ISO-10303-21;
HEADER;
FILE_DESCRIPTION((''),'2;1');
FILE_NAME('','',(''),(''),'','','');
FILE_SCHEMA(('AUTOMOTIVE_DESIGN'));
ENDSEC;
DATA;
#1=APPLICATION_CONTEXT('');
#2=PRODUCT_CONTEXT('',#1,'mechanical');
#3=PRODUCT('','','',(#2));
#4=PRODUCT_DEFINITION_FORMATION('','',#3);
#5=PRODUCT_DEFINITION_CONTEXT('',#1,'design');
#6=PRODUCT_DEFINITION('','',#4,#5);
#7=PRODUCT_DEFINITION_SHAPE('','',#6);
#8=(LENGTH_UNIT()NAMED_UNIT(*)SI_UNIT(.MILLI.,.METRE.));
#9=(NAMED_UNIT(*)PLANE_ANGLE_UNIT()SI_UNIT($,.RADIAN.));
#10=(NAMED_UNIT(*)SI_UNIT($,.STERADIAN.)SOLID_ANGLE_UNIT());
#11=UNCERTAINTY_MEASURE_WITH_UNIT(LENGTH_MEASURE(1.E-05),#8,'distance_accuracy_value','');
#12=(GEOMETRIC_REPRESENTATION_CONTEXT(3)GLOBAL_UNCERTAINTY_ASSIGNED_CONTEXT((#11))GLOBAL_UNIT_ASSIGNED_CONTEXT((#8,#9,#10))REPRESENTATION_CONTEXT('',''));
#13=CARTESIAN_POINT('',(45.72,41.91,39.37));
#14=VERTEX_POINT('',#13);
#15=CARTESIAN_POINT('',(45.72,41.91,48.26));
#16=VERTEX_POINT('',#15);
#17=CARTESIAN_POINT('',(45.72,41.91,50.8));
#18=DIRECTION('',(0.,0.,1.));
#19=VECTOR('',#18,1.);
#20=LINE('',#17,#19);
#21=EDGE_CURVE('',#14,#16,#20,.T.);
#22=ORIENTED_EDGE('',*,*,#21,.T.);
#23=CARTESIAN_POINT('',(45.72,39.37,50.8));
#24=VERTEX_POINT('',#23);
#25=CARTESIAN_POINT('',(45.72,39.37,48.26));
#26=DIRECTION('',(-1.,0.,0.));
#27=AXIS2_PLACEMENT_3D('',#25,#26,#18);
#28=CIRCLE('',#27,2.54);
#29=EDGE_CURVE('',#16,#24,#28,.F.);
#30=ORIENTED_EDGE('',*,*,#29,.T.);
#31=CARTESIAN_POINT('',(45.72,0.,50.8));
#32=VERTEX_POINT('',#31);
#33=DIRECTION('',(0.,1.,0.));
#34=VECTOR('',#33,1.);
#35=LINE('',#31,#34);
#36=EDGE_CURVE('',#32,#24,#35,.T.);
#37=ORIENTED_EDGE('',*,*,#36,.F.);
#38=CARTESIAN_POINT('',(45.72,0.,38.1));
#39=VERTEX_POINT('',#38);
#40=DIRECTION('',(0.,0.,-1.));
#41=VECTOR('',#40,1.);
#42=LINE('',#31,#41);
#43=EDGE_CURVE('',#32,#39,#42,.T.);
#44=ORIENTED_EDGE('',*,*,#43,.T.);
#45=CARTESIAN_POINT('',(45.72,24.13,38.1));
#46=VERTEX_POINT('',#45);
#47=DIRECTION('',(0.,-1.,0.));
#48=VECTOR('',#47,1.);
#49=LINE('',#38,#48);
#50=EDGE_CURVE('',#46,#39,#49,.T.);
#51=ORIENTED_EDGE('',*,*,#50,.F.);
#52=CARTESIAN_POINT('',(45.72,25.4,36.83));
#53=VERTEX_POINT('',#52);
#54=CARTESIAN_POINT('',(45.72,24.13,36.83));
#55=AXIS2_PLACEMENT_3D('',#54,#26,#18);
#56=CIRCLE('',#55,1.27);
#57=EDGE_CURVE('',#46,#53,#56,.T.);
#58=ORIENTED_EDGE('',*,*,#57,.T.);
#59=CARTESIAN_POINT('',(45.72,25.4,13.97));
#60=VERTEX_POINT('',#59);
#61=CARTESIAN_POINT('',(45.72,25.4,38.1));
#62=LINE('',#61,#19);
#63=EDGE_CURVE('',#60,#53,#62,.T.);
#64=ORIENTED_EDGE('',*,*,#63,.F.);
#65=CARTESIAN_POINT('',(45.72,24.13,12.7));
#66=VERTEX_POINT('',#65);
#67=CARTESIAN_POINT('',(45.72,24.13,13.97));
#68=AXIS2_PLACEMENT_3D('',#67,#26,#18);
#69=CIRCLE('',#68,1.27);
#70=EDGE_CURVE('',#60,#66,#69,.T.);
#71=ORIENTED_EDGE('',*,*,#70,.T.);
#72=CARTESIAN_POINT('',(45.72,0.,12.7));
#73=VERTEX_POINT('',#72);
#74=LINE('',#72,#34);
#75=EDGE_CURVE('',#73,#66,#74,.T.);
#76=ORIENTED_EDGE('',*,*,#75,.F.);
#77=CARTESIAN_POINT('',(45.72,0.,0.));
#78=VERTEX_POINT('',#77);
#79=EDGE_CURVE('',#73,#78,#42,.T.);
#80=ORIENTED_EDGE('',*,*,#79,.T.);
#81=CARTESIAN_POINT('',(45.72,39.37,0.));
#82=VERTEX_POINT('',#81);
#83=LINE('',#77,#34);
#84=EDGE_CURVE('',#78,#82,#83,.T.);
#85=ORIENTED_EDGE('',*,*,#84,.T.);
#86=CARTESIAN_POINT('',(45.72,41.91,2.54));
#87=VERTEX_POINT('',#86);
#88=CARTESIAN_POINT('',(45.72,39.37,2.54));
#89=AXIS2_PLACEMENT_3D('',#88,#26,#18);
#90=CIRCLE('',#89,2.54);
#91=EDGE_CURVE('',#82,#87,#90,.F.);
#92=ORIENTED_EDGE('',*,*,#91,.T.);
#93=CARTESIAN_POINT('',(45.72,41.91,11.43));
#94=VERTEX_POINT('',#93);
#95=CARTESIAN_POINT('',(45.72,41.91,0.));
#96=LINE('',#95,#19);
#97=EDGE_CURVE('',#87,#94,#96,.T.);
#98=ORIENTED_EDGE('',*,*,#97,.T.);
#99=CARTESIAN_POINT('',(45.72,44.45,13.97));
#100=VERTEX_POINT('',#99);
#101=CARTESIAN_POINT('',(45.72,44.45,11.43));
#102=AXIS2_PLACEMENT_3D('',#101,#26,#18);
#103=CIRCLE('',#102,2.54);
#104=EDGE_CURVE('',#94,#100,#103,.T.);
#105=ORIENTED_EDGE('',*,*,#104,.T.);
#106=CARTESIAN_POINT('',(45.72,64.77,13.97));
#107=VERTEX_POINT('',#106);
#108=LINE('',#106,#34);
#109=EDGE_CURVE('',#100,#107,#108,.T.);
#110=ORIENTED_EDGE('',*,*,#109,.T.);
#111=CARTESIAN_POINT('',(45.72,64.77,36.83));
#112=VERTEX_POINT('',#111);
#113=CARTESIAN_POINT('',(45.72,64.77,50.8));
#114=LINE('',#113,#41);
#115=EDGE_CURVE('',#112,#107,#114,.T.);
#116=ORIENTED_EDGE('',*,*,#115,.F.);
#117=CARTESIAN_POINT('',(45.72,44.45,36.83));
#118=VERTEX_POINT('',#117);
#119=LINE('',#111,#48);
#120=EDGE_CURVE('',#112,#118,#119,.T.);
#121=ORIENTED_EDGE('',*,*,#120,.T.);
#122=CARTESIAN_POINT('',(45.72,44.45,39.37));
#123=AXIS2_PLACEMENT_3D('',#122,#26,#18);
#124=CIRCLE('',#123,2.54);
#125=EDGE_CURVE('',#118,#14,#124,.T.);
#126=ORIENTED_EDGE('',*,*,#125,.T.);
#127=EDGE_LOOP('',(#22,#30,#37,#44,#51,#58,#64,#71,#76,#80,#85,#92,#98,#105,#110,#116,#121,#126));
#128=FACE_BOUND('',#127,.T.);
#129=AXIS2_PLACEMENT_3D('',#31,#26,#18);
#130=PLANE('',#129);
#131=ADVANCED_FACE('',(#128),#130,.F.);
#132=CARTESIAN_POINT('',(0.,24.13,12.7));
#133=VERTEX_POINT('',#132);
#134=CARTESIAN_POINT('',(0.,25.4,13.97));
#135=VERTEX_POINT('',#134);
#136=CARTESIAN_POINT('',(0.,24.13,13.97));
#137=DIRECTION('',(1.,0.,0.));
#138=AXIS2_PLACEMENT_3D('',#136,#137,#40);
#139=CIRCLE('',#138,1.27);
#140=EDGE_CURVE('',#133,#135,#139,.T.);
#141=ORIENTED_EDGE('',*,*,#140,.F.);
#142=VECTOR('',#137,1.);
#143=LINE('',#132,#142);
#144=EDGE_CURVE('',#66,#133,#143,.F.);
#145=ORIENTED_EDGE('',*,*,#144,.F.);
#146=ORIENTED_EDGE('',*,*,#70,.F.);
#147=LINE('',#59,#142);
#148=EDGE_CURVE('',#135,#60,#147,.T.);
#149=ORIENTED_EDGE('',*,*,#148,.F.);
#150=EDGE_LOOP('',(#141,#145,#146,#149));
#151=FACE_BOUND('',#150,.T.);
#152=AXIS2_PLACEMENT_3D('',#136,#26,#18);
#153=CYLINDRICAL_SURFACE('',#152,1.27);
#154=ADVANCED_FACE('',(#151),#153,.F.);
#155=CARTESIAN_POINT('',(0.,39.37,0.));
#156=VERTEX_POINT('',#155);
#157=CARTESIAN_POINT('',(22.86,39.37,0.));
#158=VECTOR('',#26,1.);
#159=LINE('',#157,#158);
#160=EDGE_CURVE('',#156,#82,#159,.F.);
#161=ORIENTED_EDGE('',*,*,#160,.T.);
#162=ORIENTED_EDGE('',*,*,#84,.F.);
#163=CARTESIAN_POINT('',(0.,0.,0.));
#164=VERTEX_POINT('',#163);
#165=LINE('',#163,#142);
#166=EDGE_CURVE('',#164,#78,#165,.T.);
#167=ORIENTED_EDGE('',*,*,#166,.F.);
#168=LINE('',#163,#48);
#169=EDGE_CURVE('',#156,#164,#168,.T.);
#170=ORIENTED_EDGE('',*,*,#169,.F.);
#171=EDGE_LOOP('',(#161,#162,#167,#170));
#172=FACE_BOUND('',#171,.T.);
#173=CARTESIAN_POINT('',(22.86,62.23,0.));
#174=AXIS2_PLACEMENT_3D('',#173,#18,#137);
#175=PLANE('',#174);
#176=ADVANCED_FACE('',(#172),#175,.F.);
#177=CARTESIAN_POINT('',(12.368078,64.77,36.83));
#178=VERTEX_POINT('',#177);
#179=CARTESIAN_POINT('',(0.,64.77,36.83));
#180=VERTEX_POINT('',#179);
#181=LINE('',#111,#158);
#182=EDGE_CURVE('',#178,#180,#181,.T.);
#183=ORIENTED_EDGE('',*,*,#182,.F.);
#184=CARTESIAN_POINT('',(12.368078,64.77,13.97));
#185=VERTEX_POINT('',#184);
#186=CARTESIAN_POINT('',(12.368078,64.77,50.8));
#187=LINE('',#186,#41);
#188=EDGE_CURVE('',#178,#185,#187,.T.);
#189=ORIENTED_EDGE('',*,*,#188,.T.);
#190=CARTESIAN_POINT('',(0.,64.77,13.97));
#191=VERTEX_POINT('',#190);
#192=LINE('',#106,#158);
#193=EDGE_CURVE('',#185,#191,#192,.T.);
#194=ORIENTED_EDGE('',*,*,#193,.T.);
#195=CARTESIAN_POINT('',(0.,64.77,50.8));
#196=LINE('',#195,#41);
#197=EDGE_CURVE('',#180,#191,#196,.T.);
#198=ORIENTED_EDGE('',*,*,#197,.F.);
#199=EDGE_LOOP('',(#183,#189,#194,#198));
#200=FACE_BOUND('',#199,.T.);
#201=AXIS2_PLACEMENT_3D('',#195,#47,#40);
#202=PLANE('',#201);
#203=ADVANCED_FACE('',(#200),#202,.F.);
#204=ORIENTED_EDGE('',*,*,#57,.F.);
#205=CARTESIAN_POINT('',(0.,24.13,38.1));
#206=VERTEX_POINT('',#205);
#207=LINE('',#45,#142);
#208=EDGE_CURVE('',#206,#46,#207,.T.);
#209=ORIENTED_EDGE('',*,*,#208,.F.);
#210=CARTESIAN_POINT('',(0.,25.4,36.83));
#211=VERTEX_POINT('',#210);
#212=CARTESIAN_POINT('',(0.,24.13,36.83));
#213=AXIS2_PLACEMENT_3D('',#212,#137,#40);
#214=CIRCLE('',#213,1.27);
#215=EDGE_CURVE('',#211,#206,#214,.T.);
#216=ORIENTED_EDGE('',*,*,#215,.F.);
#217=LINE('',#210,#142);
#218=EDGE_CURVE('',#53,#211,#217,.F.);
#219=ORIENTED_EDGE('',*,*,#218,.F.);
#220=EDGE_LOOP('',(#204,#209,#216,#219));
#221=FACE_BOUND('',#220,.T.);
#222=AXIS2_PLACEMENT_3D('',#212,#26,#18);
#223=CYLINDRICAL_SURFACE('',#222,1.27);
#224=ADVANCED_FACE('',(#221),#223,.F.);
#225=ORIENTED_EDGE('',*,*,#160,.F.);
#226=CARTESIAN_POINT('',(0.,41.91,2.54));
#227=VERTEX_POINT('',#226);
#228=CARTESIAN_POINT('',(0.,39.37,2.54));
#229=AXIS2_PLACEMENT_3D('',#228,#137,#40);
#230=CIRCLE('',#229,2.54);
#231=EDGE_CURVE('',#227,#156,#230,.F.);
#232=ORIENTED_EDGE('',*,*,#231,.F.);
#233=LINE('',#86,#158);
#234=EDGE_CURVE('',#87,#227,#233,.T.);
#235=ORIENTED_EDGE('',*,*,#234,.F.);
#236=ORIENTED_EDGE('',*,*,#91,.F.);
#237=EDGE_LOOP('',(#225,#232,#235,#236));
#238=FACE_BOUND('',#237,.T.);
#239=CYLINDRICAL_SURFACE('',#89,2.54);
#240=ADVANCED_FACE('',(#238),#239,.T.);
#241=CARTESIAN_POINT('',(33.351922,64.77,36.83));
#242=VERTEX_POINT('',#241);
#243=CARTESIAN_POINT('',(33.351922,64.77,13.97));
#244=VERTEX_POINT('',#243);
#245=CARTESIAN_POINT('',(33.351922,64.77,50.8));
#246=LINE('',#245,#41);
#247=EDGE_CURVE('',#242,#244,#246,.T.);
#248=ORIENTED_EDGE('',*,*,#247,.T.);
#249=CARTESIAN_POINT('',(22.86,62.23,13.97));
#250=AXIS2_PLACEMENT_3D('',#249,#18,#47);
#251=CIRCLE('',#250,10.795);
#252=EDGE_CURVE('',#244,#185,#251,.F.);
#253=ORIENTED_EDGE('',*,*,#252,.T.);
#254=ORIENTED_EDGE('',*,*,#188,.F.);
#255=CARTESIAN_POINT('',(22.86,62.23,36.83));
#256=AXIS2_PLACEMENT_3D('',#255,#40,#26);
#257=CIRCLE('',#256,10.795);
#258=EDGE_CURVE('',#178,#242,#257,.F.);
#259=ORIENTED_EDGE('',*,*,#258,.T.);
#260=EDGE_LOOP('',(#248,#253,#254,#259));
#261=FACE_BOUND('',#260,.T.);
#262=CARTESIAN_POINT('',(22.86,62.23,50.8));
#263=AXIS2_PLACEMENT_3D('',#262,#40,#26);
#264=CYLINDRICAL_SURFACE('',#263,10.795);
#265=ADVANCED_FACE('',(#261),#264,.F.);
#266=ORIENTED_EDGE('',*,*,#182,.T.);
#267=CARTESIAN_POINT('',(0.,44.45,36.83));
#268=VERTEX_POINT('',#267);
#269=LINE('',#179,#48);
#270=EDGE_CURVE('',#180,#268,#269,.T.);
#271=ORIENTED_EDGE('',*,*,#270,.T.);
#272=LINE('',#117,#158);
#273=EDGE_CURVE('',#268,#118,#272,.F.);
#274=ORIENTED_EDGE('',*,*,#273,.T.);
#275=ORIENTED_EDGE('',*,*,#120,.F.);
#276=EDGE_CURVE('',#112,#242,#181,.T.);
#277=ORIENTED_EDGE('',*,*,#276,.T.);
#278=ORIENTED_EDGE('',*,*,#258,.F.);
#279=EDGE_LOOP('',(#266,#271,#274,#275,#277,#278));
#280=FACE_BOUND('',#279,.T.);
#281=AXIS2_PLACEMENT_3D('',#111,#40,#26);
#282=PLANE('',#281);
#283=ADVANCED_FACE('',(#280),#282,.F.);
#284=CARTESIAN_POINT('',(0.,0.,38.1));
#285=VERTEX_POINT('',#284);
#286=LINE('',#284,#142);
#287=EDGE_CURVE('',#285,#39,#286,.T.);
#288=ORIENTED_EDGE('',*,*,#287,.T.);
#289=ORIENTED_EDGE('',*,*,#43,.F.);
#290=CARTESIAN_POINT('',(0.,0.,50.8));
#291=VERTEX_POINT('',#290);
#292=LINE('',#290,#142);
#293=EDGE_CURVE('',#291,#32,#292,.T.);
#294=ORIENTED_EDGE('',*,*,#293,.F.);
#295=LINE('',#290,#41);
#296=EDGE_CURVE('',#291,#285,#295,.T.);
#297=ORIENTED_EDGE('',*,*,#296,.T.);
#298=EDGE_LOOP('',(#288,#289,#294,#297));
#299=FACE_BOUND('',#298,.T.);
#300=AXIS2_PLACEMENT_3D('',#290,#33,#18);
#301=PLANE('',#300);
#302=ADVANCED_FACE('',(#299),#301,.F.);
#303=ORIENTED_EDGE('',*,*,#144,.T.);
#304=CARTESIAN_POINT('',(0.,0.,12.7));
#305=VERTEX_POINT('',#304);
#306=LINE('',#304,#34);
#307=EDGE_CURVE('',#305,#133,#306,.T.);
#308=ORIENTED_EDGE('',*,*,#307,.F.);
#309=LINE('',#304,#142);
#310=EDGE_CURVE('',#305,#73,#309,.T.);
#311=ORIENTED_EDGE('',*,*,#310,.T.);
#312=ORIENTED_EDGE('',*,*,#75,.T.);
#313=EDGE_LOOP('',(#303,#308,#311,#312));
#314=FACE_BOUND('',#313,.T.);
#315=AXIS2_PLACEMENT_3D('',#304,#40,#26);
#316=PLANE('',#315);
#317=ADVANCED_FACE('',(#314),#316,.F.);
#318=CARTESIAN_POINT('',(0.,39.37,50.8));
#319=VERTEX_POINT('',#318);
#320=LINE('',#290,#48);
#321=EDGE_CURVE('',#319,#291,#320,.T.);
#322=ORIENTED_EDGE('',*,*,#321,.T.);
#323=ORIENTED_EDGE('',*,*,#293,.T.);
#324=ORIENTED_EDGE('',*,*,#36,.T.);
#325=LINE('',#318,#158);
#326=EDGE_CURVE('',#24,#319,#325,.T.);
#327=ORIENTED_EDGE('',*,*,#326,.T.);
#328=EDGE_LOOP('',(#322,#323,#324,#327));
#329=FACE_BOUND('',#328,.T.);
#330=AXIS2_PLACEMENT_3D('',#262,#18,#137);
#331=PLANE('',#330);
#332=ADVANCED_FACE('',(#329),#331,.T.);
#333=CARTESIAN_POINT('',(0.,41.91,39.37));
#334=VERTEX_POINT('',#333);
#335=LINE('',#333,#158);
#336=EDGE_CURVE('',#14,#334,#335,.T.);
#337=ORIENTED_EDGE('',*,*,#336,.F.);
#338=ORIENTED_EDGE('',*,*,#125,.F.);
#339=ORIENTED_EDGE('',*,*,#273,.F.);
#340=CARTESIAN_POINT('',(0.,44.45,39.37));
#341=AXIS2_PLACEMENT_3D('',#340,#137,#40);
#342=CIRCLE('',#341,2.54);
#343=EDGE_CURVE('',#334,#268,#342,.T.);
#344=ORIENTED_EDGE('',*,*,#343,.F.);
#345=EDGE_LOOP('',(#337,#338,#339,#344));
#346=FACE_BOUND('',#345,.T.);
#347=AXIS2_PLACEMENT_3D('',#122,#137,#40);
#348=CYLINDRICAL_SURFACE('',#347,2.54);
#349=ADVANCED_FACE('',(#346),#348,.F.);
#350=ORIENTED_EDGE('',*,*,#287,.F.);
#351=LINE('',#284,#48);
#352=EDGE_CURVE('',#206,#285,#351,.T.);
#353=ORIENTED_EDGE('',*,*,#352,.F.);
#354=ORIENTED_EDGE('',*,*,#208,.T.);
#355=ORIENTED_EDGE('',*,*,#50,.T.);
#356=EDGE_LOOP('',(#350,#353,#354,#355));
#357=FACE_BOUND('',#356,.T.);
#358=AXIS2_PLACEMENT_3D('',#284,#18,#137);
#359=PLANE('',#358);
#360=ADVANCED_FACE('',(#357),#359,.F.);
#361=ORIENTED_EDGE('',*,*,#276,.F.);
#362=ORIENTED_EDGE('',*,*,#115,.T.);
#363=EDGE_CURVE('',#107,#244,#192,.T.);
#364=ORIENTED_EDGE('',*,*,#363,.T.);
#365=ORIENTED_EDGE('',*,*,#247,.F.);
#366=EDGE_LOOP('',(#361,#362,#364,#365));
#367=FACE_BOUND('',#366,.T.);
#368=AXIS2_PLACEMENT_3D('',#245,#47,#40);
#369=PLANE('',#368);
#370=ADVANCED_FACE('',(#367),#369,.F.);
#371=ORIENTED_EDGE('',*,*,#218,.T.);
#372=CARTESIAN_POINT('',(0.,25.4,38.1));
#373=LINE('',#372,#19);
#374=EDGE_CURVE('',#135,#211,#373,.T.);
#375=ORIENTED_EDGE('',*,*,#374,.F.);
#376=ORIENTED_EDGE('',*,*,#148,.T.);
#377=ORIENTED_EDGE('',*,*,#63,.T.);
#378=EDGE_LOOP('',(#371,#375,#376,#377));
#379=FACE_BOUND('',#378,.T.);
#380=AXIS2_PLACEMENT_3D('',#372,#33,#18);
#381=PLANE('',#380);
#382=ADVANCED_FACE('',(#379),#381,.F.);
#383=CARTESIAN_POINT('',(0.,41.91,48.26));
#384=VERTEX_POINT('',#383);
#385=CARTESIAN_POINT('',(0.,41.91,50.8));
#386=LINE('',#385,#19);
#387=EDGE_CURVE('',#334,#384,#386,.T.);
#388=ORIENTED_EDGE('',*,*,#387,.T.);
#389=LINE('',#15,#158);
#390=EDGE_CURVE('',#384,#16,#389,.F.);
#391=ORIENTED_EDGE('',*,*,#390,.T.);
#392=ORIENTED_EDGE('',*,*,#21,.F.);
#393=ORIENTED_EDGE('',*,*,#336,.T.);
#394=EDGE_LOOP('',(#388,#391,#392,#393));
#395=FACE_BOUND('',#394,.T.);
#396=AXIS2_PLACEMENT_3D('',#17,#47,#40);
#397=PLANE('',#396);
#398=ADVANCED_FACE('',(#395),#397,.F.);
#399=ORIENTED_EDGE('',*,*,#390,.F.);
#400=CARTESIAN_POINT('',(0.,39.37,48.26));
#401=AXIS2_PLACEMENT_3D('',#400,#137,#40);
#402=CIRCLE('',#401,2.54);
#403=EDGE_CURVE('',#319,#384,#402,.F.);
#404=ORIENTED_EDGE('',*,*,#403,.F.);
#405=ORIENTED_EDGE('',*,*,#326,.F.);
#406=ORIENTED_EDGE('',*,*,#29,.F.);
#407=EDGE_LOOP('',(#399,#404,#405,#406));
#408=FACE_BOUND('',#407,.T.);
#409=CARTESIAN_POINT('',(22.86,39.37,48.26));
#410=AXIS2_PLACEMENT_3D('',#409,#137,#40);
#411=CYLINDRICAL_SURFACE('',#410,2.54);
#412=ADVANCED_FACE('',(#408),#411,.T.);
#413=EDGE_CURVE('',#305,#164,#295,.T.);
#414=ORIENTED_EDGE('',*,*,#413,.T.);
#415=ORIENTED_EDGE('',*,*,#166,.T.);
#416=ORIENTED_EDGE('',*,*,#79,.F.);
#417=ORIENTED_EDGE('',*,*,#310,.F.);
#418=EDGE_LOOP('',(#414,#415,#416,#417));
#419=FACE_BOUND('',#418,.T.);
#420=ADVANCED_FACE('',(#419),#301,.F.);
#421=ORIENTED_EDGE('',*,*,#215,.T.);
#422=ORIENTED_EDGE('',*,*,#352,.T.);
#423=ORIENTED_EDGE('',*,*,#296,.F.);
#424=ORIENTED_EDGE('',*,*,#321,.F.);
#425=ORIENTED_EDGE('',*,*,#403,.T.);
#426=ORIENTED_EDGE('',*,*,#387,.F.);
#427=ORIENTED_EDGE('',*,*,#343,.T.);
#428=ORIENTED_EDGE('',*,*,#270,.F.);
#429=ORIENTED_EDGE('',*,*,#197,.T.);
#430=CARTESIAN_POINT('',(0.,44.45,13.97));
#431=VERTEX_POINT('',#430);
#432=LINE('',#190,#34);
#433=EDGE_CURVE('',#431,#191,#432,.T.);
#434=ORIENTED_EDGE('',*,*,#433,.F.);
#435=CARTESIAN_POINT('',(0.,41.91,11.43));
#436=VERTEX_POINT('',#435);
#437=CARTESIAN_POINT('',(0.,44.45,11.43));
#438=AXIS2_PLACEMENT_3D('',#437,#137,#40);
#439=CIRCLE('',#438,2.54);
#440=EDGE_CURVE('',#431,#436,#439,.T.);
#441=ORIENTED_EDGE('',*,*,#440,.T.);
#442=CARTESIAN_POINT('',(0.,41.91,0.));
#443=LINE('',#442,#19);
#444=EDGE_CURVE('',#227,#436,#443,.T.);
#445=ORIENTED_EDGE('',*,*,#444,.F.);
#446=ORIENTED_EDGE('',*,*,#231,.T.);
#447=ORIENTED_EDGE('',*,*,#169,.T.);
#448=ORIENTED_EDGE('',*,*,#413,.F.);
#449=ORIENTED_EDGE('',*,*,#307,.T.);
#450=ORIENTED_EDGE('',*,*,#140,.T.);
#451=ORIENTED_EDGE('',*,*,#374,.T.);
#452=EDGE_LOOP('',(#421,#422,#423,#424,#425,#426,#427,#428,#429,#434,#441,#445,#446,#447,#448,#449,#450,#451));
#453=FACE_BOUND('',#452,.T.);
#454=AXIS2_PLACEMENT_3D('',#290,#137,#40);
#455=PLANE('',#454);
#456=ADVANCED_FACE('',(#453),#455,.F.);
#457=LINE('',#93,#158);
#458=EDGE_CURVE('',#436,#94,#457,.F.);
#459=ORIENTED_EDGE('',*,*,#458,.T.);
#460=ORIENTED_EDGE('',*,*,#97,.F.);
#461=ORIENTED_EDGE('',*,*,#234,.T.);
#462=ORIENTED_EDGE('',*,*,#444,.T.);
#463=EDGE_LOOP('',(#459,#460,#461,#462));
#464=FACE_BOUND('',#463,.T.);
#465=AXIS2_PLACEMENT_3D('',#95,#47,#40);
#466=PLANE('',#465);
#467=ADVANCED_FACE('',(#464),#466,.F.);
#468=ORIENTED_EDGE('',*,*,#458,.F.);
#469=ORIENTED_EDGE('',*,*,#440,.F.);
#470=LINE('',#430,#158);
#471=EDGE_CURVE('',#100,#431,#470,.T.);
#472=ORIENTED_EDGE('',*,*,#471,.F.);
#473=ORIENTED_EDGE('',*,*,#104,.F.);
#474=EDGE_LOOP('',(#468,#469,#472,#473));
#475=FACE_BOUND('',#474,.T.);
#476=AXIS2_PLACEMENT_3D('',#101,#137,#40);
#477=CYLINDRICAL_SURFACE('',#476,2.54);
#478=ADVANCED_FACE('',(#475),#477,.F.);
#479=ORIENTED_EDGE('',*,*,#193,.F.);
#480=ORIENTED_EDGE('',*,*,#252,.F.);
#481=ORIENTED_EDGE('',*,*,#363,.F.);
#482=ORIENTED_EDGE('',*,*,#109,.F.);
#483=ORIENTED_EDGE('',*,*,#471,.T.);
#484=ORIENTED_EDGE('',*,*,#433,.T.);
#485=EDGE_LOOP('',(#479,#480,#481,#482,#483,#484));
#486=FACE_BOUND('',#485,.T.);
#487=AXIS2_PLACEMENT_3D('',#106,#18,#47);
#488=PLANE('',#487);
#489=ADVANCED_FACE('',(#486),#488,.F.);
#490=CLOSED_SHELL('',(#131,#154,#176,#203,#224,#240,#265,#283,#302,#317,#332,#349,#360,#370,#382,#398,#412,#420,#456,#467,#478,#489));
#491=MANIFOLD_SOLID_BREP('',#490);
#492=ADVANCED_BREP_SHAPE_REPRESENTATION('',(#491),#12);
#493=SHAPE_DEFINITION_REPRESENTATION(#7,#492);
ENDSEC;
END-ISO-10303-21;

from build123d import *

# Parameters (mm, degrees)
BOSS_EXTRUDE1_DEPTH = 50.8
SKETCH2_W           = 25.4
SKETCH2_H           = 25.4
CUT_EXTRUDE1_DEPTH  = 95.160030268
FILLET1_R           = 1.27
SKETCH4_W           = 13.97
SKETCH4_H           = 22.86
CUT_EXTRUDE2_DEPTH  = 95.160030268
FILLET2_R           = 2.54


with BuildPart() as part:
    # Sketch1 → Boss-Extrude1 (new body)
    with BuildSketch(Plane.XY):
        with BuildLine():
            Line((33.351921893, 64.77), (45.72, 64.77))
            Line((45.72, 64.77), (45.72, 0))
            Line((45.72, 0), (0, 0))
            Line((0, 0), (0, 64.77))
            Line((0, 64.77), (12.368078107, 64.77))
            ThreePointArc((12.368078107, 64.77), (22.86, 51.435), (33.351921893, 64.77))
        make_face()
    extrude(amount=BOSS_EXTRUDE1_DEPTH)

    # Sketch2 → Cut-Extrude1 (cut, through all)
    with BuildSketch(Plane(origin=(45.72, 0, 0), x_dir=(0, 0, -1), z_dir=(1, 0, 0))):
        with Locations((-25.4, 12.7)):
            Rectangle(SKETCH2_W, SKETCH2_H)
    extrude(amount=-CUT_EXTRUDE1_DEPTH, mode=Mode.SUBTRACT)

    # Fillet1
    fillet1_edges = [part.edges().sort_by_distance(p)[0] for p in [
        (22.86, 25.4, 38.1),
        (22.86, 25.4, 12.7),
    ]]
    fillet(fillet1_edges, radius=FILLET1_R)

    # Sketch4 → Cut-Extrude2 (cut, through all)
    with BuildSketch(Plane.ZY):
        with Locations((43.815, 53.34)):
            Rectangle(SKETCH4_W, SKETCH4_H)
        with Locations((6.985, 53.34)):
            Rectangle(SKETCH4_W, SKETCH4_H)
    extrude(amount=-CUT_EXTRUDE2_DEPTH, mode=Mode.SUBTRACT)

    # Fillet2
    fillet2_edges = [part.edges().sort_by_distance(p)[0] for p in [
        (22.86, 41.91, 36.83),
        (22.86, 41.91, 50.8),
        (22.86, 41.91, 0),
        (22.86, 41.91, 13.97),
    ]]
    fillet(fillet2_edges, radius=FILLET2_R)


solid = part.part
